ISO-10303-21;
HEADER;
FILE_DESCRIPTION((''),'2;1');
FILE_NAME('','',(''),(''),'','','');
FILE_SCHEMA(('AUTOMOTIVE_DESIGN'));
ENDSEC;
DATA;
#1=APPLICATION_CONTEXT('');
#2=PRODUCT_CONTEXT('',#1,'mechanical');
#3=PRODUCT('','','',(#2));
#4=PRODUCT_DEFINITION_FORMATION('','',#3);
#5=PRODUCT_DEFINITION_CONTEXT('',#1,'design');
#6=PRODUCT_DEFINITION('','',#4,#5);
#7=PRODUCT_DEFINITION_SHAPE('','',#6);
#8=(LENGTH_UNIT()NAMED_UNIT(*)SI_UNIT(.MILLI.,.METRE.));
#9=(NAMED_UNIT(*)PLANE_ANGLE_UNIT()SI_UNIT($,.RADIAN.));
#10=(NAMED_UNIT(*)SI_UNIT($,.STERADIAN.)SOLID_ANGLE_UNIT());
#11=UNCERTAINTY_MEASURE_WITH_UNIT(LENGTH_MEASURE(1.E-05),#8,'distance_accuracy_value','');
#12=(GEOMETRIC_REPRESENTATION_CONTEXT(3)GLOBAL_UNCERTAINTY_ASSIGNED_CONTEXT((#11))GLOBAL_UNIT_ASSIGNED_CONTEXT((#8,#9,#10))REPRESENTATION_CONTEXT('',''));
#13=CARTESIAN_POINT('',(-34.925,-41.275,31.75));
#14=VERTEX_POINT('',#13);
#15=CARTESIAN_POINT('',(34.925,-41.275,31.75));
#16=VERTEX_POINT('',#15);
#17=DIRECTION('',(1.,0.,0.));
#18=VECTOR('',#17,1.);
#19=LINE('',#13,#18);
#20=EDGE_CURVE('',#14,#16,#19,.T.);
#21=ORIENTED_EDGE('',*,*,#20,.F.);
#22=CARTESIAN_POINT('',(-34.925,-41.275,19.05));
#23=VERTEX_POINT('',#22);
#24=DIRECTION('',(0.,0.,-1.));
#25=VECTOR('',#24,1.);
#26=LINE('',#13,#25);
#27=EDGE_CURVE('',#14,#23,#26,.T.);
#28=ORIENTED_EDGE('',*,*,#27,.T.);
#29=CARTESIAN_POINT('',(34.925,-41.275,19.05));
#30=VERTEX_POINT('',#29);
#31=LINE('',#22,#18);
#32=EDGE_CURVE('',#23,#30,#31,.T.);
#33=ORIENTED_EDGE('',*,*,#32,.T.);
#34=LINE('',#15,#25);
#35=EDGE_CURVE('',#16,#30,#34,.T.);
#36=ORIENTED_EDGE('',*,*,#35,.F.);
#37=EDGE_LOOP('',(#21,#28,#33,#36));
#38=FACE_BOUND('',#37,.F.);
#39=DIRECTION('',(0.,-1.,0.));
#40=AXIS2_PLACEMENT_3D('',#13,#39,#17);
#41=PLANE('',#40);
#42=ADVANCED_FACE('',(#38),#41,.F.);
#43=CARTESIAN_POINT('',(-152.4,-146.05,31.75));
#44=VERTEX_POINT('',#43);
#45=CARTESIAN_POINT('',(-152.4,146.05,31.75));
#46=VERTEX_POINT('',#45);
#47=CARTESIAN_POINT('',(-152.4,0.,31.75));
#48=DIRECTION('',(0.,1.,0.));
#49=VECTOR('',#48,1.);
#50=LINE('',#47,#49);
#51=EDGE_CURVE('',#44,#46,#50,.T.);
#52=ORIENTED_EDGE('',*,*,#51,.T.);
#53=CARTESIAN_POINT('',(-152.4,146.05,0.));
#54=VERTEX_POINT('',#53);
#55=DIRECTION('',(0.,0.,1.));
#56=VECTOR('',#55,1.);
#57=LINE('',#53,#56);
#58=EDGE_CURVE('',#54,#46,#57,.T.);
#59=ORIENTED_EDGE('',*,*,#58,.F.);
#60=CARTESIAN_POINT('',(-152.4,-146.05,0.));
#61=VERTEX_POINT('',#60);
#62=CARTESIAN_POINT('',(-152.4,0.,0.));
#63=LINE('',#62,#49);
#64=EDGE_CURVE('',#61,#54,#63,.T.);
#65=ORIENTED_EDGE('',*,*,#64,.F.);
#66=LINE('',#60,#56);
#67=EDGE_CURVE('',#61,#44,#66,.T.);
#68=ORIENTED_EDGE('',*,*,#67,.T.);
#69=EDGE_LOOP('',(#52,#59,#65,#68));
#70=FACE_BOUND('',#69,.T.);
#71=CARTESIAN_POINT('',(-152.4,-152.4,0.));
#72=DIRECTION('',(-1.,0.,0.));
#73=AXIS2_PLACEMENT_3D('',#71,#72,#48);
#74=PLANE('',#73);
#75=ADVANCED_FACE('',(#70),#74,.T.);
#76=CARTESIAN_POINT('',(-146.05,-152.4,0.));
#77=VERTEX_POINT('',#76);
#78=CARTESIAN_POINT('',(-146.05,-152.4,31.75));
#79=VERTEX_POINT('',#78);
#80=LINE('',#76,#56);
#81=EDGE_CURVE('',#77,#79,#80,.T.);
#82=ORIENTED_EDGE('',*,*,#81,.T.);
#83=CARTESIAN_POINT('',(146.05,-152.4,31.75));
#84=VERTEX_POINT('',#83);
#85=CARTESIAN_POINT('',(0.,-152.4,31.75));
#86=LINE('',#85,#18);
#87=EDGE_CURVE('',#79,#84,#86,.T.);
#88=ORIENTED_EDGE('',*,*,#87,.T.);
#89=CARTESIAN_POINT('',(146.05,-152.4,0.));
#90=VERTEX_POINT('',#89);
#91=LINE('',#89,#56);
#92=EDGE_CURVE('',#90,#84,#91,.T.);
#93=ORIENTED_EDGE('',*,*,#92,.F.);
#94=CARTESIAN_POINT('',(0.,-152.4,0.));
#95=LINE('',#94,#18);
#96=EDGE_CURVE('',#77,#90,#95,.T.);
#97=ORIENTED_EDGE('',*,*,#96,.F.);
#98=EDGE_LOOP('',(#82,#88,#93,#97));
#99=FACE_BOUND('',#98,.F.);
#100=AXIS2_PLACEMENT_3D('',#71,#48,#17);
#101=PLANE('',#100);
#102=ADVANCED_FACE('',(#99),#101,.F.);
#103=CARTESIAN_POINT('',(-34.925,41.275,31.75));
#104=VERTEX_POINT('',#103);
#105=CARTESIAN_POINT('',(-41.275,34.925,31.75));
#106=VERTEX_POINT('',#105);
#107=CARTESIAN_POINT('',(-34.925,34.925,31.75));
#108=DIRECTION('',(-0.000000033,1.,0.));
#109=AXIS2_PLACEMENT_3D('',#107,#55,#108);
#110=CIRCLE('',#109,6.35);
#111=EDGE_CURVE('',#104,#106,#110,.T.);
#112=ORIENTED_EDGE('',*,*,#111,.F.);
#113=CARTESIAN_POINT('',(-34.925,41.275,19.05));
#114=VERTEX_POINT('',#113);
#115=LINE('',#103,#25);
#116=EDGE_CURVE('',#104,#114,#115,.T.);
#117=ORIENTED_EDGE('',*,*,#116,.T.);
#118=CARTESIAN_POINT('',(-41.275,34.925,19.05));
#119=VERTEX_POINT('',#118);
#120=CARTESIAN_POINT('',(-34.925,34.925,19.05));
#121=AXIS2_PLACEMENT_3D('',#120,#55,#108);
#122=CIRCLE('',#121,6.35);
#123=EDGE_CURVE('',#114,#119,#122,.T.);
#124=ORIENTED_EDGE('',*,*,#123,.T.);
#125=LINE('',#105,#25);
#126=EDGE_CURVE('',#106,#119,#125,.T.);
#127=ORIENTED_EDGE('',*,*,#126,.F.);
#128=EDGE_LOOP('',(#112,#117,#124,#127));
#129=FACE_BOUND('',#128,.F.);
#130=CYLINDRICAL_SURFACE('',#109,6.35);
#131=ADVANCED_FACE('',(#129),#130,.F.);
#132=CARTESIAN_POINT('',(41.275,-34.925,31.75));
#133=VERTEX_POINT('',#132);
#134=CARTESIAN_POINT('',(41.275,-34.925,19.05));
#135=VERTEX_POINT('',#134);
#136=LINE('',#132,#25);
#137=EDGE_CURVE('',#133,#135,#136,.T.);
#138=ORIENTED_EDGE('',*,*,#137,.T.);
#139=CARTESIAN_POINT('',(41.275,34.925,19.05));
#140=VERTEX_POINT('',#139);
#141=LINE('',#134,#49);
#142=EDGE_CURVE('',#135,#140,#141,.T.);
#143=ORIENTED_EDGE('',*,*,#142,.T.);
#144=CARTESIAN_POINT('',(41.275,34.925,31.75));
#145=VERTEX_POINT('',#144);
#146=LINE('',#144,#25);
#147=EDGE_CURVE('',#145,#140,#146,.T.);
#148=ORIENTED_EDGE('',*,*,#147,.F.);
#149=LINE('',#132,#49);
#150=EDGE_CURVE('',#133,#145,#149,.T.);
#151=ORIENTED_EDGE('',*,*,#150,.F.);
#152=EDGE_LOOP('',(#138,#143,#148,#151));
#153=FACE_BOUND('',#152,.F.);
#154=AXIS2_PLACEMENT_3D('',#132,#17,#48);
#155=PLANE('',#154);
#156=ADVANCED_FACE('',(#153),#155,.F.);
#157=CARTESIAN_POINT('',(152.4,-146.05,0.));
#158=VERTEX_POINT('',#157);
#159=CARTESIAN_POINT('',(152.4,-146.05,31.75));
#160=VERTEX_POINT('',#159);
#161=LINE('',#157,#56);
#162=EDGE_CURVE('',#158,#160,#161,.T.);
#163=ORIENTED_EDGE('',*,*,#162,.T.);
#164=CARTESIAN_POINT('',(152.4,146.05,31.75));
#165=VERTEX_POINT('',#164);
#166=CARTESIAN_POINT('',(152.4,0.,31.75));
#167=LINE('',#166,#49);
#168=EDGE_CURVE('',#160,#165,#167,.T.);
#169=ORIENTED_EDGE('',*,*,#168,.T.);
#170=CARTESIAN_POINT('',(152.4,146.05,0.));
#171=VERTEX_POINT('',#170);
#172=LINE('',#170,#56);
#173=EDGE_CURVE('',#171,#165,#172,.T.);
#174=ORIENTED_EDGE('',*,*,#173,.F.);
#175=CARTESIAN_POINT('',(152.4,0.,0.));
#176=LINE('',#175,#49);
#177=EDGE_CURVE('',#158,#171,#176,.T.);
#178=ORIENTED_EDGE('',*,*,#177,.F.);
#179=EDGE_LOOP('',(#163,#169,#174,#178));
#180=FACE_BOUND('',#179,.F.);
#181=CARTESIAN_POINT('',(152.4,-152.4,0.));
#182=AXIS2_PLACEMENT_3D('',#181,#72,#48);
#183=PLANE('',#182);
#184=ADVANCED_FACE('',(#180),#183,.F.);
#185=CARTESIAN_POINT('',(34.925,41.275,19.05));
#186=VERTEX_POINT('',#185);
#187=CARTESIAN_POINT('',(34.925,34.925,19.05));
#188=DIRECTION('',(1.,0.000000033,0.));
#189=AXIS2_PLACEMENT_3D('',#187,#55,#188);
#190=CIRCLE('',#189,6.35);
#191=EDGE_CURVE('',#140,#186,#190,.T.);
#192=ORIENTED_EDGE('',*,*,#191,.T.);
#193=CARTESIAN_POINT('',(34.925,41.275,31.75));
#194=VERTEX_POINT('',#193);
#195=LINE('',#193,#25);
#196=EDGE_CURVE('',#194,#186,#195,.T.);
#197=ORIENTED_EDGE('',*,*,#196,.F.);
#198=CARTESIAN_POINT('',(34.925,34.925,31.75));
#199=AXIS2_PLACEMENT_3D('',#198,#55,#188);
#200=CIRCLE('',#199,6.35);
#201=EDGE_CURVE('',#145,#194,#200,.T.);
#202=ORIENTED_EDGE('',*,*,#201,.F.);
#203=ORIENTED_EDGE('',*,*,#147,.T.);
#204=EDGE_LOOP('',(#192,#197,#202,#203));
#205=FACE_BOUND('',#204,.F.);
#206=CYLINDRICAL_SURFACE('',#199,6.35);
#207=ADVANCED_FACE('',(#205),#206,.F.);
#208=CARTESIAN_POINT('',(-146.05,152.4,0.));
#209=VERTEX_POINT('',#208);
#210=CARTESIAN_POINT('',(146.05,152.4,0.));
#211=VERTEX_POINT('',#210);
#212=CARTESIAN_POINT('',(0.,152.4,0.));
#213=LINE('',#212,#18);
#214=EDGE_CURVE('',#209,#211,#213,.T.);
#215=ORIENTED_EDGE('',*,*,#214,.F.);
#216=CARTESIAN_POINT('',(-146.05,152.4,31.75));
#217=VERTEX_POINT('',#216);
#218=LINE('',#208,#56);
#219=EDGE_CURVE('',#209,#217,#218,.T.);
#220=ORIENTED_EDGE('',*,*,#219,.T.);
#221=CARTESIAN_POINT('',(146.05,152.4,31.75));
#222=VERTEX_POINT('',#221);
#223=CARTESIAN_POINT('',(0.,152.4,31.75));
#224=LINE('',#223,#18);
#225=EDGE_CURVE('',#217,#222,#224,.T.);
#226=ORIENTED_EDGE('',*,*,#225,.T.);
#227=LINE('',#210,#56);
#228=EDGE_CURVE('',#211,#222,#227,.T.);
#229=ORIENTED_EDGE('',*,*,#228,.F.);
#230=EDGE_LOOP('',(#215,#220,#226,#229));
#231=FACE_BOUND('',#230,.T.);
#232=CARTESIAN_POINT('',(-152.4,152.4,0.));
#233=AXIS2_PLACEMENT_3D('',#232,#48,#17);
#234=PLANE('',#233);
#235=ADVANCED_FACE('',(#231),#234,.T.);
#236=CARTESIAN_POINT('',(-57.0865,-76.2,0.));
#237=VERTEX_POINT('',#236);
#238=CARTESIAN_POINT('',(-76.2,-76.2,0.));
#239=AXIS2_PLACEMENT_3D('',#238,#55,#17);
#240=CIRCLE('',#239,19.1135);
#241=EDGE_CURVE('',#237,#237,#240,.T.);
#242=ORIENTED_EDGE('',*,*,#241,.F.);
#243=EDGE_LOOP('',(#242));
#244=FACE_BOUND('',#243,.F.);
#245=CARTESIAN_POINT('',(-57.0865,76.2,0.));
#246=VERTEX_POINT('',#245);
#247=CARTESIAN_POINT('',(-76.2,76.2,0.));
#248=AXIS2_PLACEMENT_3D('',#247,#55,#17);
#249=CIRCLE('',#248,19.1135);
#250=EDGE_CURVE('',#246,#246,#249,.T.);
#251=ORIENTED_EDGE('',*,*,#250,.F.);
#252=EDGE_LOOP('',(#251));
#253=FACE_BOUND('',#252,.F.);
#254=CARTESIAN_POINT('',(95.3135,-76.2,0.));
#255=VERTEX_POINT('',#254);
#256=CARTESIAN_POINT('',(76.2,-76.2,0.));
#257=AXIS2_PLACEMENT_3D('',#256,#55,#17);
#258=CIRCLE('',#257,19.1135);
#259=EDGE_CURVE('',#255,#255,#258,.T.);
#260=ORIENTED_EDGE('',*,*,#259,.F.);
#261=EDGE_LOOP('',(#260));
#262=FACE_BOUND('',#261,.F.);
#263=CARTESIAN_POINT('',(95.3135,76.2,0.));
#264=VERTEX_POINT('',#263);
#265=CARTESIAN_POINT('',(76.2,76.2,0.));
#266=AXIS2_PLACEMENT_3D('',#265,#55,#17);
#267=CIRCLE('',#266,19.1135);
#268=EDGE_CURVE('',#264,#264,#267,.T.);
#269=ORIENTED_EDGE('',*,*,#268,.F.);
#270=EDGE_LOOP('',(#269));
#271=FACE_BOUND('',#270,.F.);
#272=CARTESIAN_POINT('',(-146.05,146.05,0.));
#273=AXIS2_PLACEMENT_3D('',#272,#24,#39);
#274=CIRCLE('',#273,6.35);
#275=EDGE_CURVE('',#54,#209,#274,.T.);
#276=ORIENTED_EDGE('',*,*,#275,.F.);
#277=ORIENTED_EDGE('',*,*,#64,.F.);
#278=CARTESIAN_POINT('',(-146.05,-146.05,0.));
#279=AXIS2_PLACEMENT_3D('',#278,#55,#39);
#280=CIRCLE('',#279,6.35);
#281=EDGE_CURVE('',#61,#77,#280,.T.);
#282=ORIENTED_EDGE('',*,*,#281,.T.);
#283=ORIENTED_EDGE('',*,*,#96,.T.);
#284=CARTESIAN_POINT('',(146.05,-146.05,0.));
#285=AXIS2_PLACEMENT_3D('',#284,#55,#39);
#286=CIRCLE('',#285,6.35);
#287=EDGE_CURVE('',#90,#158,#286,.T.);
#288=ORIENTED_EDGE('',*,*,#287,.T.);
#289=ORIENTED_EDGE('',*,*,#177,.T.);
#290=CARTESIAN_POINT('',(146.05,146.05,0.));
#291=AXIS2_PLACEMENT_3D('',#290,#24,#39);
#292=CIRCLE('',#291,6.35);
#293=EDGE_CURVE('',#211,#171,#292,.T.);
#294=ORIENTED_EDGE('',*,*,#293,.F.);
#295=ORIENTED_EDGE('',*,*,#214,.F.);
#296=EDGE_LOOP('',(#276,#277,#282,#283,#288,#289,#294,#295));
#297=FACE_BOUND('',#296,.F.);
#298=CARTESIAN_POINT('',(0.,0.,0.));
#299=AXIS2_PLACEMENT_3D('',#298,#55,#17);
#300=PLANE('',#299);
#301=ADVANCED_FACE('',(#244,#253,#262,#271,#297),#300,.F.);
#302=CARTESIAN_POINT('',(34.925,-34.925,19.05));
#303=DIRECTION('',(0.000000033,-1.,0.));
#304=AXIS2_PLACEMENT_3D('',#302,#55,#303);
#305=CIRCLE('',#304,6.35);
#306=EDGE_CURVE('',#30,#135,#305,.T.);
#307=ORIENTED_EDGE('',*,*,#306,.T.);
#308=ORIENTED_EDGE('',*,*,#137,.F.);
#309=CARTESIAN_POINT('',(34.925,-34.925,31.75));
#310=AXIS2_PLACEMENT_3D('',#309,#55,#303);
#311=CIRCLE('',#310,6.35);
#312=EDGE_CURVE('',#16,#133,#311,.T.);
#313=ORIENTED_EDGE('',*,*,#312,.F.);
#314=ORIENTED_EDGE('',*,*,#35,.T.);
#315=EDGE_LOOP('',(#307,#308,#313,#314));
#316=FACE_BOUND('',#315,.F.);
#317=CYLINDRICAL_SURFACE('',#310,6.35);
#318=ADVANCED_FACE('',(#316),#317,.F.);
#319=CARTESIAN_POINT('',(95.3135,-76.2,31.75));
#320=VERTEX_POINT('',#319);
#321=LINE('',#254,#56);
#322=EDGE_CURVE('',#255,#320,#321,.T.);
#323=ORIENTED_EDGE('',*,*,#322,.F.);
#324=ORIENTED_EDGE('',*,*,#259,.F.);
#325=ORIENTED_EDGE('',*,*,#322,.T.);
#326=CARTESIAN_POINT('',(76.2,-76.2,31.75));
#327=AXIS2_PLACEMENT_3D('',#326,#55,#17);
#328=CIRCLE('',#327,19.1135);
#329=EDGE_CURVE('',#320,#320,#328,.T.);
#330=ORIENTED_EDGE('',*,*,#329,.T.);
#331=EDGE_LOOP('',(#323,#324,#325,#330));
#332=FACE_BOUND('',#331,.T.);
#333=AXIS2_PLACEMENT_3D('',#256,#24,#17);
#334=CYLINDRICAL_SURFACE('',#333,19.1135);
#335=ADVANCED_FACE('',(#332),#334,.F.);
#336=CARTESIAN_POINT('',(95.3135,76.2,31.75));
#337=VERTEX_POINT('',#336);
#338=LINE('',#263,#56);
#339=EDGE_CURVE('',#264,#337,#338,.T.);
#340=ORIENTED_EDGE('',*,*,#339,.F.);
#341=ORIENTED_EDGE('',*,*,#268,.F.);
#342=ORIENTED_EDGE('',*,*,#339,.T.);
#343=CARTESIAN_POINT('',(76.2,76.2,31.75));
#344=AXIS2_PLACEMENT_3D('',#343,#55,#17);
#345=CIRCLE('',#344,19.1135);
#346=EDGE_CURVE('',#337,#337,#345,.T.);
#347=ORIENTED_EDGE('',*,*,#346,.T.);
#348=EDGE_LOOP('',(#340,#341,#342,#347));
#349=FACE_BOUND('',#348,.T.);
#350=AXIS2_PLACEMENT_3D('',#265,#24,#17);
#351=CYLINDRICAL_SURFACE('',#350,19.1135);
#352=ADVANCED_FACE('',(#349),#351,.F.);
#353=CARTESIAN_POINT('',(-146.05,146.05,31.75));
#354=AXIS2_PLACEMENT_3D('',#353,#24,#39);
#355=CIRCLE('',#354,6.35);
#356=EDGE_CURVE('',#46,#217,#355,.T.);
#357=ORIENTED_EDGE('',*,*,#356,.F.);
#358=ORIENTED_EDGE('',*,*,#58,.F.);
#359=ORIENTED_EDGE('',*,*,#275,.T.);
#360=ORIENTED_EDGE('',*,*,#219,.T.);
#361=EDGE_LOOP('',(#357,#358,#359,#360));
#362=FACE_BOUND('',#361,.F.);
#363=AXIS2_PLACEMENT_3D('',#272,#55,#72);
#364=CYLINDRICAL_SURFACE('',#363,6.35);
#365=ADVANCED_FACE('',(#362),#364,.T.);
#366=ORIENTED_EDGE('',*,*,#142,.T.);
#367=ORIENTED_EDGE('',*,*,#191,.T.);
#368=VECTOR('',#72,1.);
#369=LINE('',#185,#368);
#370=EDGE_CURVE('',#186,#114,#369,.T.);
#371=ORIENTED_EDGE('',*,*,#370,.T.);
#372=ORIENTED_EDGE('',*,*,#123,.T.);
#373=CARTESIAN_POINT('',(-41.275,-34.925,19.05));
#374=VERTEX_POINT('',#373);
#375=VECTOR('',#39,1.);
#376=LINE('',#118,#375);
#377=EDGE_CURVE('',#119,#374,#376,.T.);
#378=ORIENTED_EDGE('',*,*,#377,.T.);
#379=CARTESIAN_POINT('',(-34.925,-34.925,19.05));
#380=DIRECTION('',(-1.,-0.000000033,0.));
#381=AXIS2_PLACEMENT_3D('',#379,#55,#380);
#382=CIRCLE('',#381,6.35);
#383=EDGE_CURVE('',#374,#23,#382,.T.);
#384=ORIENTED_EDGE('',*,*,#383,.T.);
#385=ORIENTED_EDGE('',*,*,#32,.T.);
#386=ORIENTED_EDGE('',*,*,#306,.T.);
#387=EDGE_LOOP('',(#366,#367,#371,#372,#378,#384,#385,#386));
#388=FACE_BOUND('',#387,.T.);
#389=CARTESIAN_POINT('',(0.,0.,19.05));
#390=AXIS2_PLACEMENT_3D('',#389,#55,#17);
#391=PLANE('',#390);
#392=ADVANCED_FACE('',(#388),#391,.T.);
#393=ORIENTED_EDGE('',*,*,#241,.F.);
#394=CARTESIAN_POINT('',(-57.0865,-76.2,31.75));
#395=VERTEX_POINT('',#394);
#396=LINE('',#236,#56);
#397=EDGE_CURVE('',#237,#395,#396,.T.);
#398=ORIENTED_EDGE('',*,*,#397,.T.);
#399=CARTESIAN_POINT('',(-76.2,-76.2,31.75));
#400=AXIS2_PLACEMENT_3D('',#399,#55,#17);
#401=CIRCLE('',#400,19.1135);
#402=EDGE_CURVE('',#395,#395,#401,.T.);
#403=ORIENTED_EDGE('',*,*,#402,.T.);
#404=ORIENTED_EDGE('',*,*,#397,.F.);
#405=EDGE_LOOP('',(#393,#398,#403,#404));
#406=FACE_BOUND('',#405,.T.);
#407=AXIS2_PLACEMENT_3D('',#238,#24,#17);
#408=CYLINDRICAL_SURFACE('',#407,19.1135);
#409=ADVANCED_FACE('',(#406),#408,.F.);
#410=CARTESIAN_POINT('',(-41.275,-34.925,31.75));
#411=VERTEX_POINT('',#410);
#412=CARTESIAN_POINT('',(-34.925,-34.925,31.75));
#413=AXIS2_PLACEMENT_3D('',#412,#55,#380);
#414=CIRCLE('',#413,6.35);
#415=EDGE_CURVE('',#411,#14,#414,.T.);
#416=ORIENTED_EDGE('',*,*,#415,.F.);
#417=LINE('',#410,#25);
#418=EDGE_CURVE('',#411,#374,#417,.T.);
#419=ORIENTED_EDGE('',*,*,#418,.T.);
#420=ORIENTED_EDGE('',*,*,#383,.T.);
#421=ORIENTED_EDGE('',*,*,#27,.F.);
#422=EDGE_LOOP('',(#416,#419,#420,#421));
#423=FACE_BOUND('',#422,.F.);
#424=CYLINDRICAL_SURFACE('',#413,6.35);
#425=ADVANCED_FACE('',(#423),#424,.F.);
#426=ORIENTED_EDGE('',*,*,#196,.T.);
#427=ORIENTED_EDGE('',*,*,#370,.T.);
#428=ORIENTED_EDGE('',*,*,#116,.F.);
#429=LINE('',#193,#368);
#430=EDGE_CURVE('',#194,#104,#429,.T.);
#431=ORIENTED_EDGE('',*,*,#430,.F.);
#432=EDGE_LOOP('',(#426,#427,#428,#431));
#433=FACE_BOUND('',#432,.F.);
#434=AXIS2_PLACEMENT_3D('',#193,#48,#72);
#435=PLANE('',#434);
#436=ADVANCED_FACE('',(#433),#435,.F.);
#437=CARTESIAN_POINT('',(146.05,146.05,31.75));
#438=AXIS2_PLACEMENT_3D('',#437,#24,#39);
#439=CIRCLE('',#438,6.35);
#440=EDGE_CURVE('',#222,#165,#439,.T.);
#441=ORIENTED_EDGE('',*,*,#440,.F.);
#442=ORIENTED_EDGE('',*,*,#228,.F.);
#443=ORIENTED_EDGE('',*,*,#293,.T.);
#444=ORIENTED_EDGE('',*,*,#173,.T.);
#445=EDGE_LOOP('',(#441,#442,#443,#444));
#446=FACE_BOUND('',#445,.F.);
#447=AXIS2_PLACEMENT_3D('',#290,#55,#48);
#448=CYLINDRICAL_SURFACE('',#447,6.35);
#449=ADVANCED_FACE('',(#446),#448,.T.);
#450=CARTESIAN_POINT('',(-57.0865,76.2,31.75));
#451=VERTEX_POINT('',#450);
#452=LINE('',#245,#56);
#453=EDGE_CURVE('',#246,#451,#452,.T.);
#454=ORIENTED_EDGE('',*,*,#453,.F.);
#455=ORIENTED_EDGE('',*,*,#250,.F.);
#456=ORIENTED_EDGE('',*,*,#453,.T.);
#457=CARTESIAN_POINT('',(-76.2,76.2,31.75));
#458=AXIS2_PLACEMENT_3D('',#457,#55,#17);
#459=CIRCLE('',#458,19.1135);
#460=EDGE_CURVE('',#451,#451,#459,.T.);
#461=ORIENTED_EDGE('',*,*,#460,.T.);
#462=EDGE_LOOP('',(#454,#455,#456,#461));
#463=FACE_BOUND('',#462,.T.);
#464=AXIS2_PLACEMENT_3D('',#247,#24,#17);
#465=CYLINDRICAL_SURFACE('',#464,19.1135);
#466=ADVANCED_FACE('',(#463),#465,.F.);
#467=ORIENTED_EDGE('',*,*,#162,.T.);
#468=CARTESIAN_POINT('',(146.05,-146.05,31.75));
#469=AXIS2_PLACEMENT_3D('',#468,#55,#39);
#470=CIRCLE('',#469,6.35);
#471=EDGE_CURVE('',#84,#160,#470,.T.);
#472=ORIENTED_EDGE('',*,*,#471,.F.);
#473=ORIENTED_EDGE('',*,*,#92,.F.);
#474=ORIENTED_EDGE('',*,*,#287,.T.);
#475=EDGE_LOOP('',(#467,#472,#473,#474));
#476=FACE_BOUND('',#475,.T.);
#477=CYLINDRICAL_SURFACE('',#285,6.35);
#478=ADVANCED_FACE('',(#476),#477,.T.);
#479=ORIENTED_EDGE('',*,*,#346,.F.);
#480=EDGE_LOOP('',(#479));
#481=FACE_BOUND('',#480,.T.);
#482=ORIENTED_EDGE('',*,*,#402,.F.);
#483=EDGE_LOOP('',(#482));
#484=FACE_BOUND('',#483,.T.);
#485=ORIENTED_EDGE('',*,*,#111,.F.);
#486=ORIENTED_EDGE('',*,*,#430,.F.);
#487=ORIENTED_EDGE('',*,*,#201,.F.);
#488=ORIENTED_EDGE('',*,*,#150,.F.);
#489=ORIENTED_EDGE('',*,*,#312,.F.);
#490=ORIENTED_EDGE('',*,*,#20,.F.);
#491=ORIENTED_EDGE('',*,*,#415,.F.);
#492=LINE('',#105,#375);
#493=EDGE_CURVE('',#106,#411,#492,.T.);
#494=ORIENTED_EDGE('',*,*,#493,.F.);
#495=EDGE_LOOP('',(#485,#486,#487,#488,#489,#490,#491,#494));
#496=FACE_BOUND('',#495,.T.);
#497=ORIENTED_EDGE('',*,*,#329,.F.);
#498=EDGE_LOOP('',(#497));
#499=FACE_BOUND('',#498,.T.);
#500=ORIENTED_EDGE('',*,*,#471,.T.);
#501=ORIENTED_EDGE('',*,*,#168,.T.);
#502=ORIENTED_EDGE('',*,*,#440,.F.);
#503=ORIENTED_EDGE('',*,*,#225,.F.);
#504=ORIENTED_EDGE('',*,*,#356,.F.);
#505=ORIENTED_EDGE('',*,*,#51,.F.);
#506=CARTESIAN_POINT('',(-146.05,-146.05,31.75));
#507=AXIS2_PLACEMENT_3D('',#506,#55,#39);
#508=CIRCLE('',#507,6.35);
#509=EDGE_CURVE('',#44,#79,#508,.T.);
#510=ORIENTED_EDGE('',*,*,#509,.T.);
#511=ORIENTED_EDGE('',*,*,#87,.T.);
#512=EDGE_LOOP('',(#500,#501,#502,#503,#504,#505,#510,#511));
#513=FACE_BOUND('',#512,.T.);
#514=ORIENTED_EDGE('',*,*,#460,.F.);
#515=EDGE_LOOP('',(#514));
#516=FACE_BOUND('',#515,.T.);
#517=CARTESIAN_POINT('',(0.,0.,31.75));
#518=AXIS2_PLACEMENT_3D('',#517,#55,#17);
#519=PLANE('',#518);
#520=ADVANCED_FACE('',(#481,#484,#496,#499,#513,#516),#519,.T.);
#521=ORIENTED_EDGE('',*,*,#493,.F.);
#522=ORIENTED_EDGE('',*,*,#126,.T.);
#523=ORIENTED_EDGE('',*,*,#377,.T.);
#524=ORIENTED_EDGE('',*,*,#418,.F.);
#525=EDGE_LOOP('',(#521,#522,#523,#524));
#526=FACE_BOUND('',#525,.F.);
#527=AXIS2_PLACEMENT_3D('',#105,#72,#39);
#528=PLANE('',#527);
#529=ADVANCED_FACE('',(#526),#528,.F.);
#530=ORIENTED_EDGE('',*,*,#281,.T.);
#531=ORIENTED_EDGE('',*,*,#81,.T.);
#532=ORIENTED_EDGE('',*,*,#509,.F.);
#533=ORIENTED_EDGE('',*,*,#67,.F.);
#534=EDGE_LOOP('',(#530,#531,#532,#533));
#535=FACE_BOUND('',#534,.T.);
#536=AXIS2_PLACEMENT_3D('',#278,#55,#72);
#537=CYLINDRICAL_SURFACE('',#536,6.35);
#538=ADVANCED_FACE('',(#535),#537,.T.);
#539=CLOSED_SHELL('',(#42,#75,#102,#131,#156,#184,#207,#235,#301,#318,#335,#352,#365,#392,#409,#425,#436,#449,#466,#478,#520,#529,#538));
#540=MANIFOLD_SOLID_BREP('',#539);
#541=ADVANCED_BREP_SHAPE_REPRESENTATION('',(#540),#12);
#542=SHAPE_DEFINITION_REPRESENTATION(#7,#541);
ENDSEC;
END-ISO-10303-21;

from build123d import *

# Parameters (mm, degrees)
F0_W     = 304.8
F0_H     = 304.8
F0_R     = 19.1135
F1_DEPTH = 31.75
F3_DEPTH = 12.7
F4_R     = 6.35


with BuildPart() as f1:
    # F0 (on Top) → F1 (new body)
    with BuildSketch(Plane.XY):
        Rectangle(F0_W, F0_H)
        with Locations((-76.2, -76.2)):
            Circle(F0_R, mode=Mode.SUBTRACT)
        with Locations((76.2, -76.2)):
            Circle(F0_R, mode=Mode.SUBTRACT)
        with Locations((-76.2, 76.2)):
            Circle(F0_R, mode=Mode.SUBTRACT)
        with Locations((76.2, 76.2)):
            Circle(F0_R, mode=Mode.SUBTRACT)
    extrude(amount=F1_DEPTH)

    # F2 (on face) → F3 (cut)
    with BuildSketch(Plane.XY.offset(31.75)):
        with BuildLine():
            ThreePointArc((41.275, 34.925), (39.415128, 39.415128), (34.925, 41.275))
            Line((34.925, 41.275), (-34.925, 41.275))
            ThreePointArc((-34.925, 41.275), (-39.415128, 39.415128), (-41.275, 34.925))
            Line((-41.275, 34.925), (-41.275, -34.925))
            ThreePointArc((-41.275, -34.925), (-39.415128, -39.415128), (-34.925, -41.275))
            Line((-34.925, -41.275), (34.925, -41.275))
            ThreePointArc((34.925, -41.275), (39.415128, -39.415128), (41.275, -34.925))
            Line((41.275, -34.925), (41.275, 34.925))
        make_face()
    extrude(amount=-F3_DEPTH, mode=Mode.SUBTRACT)

    # F4
    f4_edges = [f1.edges().sort_by_distance(p)[0] for p in [
        (152.4, 152.4, 15.875),
        (152.4, -152.4, 15.875),
        (-152.4, 152.4, 15.875),
        (-152.4, -152.4, 15.875),
    ]]
    fillet(f4_edges, radius=F4_R)


solid = f1.part
